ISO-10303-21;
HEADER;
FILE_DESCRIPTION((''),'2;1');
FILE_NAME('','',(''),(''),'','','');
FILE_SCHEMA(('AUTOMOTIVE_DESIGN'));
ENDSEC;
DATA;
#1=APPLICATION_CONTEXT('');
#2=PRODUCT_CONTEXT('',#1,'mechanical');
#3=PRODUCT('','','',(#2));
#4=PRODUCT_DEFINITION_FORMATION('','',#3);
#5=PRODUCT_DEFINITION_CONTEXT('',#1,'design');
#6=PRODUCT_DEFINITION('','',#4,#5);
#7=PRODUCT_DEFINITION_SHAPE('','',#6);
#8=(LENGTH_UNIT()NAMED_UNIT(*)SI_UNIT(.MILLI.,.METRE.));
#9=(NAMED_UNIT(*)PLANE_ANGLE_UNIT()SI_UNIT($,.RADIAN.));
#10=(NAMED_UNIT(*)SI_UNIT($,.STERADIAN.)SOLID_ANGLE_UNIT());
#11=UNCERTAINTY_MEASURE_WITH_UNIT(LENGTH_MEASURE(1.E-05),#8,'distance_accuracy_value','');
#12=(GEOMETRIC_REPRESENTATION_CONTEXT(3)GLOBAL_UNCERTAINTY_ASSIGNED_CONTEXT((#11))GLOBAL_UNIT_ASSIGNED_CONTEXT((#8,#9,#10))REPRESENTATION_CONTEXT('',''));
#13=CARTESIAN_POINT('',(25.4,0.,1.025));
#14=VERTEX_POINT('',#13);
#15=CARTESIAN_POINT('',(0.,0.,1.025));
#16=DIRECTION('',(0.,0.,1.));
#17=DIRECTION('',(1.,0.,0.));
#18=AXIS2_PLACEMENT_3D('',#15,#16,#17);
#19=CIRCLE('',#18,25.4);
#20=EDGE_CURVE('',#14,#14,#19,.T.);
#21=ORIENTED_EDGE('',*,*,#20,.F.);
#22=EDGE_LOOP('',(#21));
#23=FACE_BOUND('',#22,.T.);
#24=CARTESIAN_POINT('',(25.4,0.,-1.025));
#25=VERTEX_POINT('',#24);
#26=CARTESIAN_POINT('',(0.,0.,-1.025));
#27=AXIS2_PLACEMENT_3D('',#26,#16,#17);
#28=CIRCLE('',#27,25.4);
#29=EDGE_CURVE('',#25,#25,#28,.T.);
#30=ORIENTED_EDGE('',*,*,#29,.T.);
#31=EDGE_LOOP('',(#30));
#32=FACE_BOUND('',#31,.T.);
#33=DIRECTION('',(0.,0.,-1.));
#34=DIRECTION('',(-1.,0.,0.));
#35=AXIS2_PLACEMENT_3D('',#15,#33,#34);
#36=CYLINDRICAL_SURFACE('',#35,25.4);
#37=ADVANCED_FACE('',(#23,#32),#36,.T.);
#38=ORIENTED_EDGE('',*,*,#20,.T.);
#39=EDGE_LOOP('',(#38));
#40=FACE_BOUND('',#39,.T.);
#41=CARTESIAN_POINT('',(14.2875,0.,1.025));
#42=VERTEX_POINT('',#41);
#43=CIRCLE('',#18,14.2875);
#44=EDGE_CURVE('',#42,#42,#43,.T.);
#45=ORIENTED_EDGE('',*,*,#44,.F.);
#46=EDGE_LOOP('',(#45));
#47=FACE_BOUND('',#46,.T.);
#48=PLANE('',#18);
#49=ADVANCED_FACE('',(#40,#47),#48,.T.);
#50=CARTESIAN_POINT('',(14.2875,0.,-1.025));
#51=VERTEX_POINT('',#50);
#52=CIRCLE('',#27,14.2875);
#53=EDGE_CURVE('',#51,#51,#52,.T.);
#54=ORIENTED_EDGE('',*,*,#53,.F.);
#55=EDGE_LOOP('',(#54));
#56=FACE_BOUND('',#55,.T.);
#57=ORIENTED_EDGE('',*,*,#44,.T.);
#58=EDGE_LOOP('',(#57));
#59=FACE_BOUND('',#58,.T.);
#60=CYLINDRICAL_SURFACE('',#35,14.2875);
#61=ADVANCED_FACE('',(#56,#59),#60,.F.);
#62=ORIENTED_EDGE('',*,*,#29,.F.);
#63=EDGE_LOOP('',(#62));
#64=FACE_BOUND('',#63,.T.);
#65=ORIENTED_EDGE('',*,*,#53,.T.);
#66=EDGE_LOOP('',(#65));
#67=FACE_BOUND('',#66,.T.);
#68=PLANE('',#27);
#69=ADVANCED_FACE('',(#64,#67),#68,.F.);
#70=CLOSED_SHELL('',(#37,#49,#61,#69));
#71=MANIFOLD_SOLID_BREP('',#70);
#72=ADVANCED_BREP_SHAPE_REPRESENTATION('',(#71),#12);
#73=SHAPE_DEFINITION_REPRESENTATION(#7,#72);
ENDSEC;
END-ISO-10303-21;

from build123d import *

# Parameters (mm, degrees)
BOSS_EXTRUDE1_DEPTH      = 1.025
BOSS_EXTRUDE1_DEPTH_BACK = 1.025
SKETCH3_R                = 25.4
SKETCH3_R_2              = 14.2875


with BuildPart() as part:
    # Sketch3 → Boss-Extrude1 (new, two sides: drawn at the far end of the back side and taken through both)
    with BuildSketch(Plane.XY.offset(-BOSS_EXTRUDE1_DEPTH_BACK)):
        Circle(SKETCH3_R)
        Circle(SKETCH3_R_2, mode=Mode.SUBTRACT)
    extrude(amount=BOSS_EXTRUDE1_DEPTH + BOSS_EXTRUDE1_DEPTH_BACK)


solid = part.part
